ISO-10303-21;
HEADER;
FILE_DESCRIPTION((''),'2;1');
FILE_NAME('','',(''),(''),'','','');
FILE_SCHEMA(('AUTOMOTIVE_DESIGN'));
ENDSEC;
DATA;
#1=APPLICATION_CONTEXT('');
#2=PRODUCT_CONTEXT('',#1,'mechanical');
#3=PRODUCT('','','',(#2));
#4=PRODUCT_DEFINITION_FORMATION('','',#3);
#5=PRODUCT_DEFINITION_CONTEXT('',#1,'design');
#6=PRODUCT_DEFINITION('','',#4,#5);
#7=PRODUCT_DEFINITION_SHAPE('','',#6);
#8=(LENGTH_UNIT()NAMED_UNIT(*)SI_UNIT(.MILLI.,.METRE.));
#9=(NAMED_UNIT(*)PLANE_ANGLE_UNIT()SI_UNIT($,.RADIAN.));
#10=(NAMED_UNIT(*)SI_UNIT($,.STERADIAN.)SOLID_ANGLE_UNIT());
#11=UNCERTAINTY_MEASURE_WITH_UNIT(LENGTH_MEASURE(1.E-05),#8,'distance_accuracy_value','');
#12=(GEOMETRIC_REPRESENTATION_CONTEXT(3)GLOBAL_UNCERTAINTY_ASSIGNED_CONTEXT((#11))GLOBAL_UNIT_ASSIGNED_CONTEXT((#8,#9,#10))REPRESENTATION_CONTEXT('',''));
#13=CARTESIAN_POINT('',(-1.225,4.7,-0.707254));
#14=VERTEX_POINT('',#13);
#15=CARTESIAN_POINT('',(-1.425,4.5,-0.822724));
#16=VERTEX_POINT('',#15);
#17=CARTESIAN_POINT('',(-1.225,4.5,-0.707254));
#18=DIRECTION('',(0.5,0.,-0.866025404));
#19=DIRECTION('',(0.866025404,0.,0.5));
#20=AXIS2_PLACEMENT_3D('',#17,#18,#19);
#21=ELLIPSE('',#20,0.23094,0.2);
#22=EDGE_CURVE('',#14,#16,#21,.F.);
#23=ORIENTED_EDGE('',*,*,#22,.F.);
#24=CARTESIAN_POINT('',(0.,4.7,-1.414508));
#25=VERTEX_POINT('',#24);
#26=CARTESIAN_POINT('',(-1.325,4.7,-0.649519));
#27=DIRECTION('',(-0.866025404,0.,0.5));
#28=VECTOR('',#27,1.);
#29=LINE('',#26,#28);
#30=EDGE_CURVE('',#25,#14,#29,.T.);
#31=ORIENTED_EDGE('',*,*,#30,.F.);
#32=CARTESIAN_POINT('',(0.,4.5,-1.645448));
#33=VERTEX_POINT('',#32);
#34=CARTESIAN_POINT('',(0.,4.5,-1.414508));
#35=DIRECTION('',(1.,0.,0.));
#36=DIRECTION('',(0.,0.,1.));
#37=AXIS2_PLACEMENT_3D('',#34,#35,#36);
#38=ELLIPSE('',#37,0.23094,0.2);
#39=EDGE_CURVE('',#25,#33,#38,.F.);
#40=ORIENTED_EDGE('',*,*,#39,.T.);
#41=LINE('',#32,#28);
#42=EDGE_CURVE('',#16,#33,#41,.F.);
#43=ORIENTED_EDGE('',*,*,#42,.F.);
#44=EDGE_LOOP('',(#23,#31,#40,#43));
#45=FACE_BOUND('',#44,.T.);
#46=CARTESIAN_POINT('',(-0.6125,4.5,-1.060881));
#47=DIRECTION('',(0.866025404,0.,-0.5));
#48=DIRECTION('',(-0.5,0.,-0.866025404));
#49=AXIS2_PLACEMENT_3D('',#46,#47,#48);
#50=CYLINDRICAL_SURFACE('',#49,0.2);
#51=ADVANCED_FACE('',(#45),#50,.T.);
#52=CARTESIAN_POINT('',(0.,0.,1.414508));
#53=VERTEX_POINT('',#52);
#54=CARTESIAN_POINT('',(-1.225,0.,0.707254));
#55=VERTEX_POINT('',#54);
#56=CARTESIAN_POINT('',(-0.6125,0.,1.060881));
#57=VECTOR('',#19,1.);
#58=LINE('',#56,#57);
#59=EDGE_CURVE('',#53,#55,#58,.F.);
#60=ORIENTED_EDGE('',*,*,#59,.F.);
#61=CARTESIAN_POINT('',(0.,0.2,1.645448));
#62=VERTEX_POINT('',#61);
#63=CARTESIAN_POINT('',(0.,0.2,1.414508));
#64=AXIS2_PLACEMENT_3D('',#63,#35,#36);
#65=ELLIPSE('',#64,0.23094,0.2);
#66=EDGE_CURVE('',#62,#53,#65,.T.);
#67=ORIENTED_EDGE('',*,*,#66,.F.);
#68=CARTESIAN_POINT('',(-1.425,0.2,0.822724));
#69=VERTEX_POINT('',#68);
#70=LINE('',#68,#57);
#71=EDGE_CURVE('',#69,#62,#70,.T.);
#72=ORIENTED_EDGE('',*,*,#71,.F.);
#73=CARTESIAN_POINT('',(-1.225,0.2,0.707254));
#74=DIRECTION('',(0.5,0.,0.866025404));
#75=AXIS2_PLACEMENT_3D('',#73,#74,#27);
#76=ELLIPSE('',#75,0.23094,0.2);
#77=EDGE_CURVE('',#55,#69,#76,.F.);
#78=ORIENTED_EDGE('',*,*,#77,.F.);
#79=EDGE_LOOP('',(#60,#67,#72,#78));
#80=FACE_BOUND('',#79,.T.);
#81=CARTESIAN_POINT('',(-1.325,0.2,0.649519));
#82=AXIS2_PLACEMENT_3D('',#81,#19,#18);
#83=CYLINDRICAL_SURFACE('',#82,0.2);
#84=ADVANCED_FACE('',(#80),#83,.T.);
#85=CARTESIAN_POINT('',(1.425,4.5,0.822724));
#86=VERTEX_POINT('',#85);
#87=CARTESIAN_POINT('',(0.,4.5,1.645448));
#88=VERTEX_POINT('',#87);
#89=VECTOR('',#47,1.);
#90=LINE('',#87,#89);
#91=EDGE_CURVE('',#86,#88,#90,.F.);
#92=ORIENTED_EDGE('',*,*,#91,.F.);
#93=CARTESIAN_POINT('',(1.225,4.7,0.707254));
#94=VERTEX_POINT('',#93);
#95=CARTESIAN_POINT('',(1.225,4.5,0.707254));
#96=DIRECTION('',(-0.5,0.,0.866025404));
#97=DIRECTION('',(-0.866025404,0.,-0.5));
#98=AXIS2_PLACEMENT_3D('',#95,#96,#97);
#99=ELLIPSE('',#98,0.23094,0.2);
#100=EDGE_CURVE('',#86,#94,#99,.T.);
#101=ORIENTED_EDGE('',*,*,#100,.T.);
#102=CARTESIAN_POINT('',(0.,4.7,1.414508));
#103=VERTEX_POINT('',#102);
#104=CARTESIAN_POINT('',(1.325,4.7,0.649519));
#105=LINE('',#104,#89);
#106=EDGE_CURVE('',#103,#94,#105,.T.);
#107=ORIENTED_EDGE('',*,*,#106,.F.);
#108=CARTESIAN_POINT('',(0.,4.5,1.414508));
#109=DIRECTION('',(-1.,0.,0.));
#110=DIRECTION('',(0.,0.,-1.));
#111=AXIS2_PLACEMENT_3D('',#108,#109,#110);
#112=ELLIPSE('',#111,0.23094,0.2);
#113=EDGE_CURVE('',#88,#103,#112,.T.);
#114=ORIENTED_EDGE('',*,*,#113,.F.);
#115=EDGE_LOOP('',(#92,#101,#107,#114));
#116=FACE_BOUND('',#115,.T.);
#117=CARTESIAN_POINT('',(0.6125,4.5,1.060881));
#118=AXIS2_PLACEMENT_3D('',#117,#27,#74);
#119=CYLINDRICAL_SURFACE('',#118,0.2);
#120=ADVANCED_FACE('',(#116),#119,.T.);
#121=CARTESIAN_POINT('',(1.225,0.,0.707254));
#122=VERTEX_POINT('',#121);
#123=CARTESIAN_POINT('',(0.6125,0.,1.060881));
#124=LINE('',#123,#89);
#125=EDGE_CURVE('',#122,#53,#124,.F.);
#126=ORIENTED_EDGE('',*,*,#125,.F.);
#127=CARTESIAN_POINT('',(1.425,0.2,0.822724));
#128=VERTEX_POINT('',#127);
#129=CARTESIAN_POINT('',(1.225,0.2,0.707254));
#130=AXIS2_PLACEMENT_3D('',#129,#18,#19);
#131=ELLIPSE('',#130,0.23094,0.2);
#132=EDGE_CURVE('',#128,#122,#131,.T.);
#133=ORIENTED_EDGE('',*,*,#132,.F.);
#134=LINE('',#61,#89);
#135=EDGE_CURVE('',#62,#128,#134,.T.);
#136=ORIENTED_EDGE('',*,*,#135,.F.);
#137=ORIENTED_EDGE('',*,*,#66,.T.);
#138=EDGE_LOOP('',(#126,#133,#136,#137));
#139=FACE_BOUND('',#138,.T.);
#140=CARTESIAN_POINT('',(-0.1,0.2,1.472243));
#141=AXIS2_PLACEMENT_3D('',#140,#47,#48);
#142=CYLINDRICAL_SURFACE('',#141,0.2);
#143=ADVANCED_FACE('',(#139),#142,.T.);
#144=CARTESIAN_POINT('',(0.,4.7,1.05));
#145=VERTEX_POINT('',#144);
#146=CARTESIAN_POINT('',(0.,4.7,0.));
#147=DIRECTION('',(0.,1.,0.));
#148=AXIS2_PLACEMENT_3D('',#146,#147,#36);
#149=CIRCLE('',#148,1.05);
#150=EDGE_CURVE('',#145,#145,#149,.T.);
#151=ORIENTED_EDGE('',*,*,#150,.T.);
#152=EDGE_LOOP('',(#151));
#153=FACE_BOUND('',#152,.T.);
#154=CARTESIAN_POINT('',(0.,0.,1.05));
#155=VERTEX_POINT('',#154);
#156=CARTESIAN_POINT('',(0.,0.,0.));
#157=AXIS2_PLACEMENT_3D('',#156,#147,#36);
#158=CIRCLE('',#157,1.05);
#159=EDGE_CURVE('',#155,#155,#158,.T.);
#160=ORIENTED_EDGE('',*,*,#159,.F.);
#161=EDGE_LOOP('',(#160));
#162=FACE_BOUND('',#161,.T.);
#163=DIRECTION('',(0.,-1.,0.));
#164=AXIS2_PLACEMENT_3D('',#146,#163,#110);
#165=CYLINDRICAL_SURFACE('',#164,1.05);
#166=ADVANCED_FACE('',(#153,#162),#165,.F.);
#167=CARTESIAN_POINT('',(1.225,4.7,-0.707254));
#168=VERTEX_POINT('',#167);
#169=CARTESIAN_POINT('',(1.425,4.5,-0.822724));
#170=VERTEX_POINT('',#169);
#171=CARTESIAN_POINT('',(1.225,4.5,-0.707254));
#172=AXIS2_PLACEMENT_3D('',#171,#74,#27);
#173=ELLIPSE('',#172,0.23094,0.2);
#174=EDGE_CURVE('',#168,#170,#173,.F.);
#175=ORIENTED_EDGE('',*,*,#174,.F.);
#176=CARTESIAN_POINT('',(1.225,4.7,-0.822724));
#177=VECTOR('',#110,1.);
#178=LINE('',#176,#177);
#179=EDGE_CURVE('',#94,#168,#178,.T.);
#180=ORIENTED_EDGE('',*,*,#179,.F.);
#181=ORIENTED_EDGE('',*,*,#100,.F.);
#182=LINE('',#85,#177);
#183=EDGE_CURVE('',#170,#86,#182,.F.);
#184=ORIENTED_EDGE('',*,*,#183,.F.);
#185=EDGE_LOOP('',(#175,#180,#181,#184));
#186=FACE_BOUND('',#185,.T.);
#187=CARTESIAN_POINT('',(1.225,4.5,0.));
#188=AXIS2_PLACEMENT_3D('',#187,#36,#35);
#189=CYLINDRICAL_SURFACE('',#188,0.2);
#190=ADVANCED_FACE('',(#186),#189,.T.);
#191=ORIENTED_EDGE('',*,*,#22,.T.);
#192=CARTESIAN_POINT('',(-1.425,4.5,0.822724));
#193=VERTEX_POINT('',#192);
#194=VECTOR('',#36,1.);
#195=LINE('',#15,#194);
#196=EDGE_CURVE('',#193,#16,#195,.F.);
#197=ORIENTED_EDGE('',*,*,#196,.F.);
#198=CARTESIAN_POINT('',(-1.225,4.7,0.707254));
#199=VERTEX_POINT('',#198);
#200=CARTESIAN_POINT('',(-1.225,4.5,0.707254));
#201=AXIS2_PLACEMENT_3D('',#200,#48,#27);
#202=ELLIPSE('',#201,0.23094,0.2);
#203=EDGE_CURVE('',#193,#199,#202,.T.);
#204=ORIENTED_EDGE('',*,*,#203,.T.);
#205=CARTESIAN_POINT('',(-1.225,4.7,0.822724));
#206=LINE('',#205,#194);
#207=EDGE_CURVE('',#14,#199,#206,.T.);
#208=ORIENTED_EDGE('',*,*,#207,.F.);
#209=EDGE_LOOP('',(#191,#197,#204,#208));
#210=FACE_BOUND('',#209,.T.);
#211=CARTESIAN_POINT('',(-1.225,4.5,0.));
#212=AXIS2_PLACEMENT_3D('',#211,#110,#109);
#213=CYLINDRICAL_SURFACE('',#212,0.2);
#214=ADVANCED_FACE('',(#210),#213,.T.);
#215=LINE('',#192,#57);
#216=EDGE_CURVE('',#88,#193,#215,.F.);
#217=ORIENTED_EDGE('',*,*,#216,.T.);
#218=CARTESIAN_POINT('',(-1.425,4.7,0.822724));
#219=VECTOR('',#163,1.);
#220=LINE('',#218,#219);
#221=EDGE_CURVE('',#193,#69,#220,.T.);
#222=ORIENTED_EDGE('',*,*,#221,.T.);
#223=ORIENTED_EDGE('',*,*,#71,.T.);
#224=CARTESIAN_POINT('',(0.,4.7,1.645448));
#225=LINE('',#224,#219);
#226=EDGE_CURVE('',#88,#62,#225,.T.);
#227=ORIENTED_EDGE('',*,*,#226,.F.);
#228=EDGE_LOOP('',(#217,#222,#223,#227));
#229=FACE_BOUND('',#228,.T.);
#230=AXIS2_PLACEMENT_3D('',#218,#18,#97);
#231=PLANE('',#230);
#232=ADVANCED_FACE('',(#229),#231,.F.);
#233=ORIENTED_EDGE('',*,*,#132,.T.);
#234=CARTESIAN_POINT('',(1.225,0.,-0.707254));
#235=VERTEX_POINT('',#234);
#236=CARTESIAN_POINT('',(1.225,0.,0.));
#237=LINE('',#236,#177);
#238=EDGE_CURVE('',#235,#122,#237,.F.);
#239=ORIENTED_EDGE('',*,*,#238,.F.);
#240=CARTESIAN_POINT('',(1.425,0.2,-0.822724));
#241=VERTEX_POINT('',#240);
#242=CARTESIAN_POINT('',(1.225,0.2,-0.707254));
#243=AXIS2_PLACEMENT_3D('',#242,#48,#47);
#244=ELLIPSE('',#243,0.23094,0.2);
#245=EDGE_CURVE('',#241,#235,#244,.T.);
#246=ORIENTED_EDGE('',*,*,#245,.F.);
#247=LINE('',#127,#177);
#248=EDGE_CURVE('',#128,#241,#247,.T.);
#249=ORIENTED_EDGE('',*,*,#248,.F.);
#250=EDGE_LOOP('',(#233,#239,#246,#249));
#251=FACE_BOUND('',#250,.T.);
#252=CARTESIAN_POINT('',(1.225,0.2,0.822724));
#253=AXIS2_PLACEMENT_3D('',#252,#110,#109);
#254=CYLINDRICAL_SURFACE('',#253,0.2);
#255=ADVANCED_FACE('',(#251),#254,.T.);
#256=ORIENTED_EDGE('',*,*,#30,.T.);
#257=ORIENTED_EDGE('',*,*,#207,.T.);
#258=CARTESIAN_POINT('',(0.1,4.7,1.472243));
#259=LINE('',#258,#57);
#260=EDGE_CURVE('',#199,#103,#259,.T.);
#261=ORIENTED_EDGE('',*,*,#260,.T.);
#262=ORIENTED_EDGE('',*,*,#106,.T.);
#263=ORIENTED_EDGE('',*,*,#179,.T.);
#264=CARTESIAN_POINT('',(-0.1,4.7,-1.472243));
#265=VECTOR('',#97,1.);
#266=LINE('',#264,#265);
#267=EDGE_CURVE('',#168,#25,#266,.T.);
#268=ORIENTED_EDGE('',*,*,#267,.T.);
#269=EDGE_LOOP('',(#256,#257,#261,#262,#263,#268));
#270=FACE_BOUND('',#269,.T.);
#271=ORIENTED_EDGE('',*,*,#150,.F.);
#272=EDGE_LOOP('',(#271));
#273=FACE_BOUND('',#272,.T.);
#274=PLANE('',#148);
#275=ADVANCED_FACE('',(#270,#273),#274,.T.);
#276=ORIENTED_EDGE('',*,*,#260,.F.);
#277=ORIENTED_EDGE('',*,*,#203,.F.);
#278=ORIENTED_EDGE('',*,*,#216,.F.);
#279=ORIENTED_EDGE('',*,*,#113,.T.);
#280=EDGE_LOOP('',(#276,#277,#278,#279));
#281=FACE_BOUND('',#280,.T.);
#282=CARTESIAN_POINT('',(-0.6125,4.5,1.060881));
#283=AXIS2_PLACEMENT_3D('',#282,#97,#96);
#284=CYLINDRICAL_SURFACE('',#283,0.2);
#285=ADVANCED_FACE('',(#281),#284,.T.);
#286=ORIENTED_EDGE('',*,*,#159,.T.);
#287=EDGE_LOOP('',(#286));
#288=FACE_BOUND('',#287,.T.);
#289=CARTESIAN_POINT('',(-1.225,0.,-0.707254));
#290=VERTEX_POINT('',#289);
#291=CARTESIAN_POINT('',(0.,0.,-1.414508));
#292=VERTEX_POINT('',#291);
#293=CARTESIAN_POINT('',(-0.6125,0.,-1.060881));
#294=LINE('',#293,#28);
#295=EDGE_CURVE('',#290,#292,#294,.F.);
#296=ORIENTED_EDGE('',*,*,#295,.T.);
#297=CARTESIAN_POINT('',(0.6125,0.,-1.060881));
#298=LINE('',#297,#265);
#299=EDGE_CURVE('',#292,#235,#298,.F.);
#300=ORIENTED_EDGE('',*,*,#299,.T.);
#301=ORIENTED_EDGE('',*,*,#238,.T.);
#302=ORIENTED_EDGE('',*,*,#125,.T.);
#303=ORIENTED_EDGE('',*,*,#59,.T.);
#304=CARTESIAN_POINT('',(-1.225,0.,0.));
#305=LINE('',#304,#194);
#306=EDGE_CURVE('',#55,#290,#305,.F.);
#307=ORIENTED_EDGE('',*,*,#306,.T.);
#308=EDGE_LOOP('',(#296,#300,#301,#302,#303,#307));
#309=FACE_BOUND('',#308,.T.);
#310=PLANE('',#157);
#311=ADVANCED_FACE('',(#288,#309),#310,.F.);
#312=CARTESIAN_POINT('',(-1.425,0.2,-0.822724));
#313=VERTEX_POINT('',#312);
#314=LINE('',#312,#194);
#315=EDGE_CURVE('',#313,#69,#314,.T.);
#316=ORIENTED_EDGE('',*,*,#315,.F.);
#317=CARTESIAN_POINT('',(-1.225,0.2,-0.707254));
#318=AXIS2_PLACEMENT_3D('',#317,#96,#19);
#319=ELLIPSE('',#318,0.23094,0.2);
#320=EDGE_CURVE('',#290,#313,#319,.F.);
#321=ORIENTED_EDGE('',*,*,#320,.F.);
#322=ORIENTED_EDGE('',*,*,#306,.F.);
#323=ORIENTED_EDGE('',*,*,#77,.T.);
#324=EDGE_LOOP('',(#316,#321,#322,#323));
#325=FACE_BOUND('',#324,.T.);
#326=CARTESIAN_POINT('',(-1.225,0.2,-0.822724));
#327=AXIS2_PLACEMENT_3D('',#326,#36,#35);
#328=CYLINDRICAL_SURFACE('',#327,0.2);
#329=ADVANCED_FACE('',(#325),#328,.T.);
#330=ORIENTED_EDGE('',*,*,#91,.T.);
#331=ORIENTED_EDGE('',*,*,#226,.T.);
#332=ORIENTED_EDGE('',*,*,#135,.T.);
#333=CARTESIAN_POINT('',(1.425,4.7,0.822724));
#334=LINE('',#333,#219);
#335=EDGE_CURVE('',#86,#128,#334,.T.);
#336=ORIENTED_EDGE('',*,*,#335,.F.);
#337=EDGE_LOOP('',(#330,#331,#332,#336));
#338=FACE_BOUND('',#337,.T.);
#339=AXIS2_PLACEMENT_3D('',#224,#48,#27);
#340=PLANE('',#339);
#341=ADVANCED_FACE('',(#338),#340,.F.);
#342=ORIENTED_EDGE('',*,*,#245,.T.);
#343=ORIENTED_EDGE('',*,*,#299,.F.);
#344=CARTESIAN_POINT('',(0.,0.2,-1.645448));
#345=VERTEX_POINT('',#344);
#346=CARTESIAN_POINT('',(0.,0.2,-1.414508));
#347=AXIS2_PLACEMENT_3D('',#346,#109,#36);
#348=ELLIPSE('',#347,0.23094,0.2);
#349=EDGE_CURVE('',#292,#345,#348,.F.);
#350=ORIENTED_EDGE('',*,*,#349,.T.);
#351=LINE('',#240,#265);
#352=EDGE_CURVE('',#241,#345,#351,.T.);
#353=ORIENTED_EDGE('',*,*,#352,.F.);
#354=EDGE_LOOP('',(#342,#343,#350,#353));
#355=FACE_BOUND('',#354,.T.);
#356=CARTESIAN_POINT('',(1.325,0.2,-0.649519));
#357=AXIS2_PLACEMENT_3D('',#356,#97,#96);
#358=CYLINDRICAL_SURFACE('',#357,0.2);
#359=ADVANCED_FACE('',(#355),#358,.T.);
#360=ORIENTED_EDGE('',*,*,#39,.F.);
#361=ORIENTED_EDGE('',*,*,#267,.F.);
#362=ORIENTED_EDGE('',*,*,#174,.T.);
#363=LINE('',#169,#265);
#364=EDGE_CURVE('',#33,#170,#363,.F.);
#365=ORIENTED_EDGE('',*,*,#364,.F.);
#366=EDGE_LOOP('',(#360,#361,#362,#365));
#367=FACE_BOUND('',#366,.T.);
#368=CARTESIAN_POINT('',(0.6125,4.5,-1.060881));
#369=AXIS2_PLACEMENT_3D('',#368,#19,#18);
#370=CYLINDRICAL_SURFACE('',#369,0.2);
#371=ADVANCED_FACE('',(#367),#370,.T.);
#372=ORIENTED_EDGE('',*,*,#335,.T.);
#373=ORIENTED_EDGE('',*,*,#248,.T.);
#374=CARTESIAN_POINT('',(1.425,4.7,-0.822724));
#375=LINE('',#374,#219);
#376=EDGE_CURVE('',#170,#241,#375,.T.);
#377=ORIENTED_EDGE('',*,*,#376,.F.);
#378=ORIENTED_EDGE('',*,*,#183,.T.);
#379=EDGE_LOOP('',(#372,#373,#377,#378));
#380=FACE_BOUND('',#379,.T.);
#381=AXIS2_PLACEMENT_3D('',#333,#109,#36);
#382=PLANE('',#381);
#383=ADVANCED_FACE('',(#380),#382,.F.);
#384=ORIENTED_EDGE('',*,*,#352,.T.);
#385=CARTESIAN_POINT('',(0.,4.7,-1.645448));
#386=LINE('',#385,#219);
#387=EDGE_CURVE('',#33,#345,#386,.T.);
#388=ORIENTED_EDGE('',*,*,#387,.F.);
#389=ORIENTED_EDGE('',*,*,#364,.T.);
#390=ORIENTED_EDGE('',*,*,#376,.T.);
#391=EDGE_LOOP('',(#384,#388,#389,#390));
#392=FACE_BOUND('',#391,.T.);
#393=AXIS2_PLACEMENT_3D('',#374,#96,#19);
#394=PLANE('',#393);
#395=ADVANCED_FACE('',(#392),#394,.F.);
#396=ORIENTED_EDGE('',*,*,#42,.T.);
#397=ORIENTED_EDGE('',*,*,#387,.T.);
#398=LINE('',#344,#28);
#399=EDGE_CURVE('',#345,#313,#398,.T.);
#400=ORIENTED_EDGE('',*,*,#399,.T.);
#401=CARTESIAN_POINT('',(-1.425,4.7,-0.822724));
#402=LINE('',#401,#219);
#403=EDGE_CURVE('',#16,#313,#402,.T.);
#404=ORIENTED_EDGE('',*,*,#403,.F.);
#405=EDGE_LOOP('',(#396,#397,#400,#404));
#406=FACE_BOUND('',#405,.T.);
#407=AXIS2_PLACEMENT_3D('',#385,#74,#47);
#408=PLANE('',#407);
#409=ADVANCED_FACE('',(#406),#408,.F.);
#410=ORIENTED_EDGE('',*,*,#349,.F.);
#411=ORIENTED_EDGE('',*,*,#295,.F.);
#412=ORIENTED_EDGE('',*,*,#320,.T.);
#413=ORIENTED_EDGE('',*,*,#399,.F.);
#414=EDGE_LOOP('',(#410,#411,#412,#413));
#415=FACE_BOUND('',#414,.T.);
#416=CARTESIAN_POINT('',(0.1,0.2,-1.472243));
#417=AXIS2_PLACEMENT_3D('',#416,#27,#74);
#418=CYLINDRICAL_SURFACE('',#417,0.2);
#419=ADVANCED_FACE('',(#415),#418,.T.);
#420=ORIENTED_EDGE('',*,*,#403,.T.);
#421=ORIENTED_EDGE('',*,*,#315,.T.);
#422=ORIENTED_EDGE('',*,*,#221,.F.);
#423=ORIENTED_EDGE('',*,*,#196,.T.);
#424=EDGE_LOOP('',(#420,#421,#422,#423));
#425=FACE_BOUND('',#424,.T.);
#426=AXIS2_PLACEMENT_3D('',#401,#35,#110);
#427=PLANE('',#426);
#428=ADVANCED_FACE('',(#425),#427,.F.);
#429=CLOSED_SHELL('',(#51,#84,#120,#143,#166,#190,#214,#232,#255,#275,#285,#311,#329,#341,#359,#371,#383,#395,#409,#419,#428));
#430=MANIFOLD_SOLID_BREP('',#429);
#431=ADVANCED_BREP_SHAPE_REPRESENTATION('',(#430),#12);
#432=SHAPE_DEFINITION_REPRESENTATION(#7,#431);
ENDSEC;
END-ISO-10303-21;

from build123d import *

# Parameters (mm, degrees)
SKETCH1_R           = 1.05
BOSS_EXTRUDE1_DEPTH = 4.7
FILLET1_R           = 0.2


with BuildPart() as part:
    # Sketch1 → Boss-Extrude1 (new body)
    with BuildSketch(Plane(origin=(0, 0, 0), x_dir=(1, 0, 0), z_dir=(0, 1, 0))):
        Polygon((1.425, 0.822724134), (0, 1.645448267), (-1.425, 0.822724134), (-1.425, -0.822724134), (0, -1.645448267), (1.425, -0.822724134), align=None)
        with Locations(Location((0, 0, 0), (0, 0, 270))):
            Circle(SKETCH1_R, mode=Mode.SUBTRACT)
    extrude(amount=BOSS_EXTRUDE1_DEPTH)

    # Fillet1
    fillet1_edges = [part.edges().sort_by_distance(p)[0] for p in [
        (-0.7125, 4.7, -1.2340862),
        (-1.425, 4.7, 0),
        (-0.7125, 4.7, 1.2340862),
        (0.7125, 4.7, 1.2340862),
        (1.425, 4.7, 0),
        (0.7125, 0, 1.2340862),
        (-0.7125, 0, 1.2340862),
        (-1.425, 0, 0),
        (-0.7125, 0, -1.2340862),
        (0.7125, 0, -1.2340862),
        (1.425, 0, 0),
        (0.7125, 4.7, -1.2340862),
    ]]
    fillet(fillet1_edges, radius=FILLET1_R)


solid = part.part
